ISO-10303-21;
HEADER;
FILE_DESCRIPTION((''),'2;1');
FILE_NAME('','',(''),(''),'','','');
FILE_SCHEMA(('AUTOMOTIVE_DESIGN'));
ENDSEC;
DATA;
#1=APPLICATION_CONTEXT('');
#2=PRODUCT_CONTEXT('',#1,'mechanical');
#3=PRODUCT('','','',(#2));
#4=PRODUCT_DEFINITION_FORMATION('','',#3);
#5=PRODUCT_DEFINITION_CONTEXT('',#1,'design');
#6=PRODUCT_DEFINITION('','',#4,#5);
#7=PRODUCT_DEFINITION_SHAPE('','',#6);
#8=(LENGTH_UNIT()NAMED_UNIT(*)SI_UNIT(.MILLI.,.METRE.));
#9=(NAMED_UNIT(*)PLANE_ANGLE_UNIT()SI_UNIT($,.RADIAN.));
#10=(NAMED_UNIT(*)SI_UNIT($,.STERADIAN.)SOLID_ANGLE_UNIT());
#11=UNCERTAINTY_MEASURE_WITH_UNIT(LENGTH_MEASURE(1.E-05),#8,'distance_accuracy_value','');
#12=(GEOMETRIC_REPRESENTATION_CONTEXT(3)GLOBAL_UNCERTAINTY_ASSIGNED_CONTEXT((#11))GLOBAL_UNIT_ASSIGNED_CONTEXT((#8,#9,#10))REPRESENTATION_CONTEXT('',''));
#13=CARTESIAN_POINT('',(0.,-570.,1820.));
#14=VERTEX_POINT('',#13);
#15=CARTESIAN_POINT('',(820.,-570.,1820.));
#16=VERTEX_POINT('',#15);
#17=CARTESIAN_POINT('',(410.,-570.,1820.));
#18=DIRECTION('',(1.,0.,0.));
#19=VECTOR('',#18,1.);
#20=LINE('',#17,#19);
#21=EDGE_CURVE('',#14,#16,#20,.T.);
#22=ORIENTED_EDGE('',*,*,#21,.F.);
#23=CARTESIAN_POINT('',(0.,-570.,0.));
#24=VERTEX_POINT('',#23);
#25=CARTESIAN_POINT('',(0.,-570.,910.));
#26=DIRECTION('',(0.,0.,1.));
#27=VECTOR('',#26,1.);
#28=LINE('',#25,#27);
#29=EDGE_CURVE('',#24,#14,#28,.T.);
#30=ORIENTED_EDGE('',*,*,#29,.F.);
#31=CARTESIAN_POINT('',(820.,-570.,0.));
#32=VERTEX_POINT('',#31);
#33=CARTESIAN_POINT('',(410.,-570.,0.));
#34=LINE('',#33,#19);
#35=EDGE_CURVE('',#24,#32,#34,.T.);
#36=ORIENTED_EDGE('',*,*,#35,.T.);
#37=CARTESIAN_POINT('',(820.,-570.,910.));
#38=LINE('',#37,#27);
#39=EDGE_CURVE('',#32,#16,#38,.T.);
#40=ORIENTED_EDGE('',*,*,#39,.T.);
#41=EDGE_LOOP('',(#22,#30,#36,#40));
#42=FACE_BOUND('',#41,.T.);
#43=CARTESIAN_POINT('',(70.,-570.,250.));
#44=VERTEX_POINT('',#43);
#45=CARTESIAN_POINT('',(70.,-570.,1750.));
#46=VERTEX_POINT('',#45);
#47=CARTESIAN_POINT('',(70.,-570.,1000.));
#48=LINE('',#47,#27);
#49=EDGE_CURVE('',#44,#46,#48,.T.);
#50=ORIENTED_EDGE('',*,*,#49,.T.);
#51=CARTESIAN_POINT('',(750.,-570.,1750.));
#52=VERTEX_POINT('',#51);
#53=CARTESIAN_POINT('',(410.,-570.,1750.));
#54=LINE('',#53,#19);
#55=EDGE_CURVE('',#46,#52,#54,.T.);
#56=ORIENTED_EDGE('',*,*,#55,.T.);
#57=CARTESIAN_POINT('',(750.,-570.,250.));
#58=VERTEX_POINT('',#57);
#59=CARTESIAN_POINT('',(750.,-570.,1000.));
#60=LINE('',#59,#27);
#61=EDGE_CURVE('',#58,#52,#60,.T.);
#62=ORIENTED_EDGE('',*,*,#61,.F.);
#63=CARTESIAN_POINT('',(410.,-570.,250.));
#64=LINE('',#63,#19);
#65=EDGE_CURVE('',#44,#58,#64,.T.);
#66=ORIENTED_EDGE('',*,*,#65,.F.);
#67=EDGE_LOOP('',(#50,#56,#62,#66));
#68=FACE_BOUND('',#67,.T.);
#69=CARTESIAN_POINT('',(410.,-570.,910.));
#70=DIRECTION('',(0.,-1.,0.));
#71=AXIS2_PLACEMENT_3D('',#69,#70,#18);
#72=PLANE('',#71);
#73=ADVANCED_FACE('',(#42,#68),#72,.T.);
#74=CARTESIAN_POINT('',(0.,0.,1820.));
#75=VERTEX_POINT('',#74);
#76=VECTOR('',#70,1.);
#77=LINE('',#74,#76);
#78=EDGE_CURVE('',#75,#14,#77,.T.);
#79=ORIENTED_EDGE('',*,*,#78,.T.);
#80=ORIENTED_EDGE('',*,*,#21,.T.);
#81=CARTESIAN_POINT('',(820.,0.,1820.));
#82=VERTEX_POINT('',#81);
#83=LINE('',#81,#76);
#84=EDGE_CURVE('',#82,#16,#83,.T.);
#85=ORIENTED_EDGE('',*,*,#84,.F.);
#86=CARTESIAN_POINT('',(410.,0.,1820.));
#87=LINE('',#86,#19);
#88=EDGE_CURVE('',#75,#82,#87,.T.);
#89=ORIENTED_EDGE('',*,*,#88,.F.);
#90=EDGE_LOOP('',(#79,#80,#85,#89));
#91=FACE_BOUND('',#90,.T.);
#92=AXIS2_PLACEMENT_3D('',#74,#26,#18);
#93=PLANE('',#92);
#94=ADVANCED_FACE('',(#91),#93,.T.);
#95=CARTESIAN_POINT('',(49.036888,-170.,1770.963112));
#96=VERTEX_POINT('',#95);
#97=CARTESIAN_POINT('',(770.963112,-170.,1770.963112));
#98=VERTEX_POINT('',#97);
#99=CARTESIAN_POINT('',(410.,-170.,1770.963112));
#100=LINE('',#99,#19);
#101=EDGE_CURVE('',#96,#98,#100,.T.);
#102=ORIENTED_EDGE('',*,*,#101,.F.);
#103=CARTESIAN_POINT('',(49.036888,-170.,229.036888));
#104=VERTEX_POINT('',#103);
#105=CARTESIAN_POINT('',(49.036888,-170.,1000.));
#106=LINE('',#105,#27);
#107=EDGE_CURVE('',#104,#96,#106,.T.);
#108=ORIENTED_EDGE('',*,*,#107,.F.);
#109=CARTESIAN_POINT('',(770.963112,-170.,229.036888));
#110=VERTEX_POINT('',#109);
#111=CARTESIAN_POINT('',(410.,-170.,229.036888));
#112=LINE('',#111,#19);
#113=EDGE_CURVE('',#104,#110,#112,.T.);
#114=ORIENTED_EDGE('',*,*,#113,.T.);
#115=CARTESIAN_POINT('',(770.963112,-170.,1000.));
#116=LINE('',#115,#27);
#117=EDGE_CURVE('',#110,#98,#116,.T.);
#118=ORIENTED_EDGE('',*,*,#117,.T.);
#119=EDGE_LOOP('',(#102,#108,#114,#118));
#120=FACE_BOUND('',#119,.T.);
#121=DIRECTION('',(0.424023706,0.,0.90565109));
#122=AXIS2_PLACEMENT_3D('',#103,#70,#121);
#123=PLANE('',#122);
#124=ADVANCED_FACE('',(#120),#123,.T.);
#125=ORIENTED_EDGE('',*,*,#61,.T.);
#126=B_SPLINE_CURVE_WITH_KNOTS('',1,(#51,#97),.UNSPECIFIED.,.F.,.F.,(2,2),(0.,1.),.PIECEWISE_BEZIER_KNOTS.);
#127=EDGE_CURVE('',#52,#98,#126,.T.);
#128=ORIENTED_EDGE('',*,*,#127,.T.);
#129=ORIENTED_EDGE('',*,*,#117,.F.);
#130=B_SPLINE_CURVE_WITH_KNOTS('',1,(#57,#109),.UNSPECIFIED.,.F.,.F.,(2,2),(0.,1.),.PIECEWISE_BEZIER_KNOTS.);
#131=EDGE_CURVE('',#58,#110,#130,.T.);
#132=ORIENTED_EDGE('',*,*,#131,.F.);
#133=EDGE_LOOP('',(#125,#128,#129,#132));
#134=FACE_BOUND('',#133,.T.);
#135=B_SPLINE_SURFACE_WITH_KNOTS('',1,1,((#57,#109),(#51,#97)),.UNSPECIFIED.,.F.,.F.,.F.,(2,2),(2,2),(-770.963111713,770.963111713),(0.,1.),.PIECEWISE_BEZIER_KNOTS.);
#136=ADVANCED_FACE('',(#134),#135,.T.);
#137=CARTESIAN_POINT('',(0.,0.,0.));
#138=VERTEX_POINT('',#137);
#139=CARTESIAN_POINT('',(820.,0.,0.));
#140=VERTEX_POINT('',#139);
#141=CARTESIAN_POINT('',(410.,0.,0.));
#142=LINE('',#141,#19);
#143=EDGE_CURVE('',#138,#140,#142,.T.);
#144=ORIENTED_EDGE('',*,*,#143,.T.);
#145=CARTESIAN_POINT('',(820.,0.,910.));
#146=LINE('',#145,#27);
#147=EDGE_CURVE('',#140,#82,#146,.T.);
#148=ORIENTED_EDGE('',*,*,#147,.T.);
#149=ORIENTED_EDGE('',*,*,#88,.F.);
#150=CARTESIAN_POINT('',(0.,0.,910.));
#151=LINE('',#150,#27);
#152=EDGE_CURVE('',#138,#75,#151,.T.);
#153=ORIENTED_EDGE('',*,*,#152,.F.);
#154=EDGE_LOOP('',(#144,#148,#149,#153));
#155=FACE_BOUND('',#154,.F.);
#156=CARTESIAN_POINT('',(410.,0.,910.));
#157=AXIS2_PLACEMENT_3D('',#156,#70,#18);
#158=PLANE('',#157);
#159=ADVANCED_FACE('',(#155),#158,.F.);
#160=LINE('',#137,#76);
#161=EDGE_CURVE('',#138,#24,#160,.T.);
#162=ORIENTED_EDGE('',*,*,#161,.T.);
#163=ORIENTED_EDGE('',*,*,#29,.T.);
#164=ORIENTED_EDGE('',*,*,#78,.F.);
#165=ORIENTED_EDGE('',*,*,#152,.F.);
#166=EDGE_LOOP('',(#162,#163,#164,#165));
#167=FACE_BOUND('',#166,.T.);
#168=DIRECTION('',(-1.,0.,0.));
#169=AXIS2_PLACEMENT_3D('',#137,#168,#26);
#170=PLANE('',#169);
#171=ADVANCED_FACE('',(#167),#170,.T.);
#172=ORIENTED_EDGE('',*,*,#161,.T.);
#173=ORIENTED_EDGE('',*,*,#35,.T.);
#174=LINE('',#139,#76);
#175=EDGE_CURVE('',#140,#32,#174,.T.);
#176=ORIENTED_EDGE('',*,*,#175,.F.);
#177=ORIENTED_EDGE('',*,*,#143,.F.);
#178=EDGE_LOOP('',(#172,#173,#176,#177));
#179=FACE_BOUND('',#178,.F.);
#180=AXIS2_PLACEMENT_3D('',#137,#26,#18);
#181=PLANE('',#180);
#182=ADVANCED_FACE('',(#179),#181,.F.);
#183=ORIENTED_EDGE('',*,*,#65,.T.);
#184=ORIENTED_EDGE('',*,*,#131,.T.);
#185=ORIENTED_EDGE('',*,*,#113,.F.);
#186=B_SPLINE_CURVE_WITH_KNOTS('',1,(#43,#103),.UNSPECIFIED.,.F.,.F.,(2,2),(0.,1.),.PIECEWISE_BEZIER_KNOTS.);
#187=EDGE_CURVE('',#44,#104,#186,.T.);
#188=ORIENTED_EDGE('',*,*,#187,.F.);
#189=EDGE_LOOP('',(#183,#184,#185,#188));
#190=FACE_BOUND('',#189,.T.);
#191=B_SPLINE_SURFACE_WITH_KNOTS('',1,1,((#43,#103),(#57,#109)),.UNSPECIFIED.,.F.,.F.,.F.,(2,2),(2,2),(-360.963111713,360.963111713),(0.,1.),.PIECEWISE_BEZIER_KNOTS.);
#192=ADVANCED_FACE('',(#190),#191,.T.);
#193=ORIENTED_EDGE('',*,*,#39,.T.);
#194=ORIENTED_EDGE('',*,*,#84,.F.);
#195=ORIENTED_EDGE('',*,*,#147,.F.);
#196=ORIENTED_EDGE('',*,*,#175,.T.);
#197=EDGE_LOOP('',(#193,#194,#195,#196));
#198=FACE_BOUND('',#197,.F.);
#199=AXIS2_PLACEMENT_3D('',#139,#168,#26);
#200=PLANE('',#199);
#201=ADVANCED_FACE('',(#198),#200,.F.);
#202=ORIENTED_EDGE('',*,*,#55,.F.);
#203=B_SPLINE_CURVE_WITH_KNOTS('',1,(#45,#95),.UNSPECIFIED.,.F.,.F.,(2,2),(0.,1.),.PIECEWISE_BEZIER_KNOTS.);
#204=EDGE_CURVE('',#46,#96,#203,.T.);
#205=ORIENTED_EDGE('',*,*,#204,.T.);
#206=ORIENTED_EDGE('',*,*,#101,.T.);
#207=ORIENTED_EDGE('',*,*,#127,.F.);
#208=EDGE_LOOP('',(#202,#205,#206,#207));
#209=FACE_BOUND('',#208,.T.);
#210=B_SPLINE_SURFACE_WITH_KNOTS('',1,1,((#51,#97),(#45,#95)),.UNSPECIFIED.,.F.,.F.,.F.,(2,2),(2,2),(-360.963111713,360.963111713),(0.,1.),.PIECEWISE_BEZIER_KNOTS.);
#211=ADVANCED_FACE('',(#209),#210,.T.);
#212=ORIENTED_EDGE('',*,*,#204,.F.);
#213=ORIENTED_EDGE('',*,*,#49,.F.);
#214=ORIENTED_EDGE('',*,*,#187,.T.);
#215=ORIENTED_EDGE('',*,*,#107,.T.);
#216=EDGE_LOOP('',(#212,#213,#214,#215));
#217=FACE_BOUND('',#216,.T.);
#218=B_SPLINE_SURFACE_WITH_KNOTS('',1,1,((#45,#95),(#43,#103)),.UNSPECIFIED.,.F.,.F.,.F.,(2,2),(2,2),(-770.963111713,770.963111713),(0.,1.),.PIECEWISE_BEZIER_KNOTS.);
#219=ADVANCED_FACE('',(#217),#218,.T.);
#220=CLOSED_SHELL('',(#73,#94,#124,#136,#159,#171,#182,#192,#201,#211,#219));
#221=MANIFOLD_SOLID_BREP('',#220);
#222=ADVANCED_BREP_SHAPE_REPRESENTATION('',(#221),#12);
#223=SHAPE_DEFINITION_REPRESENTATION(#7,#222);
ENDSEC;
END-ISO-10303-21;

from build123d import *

# Parameters (mm, degrees)
F0_W     = 820
F0_H     = 1820
F1_DEPTH = 570
F2_W     = 680
F2_H     = 1500
F3_DEPTH = 400
F3_TAPER = -3


with BuildPart() as f1:
    # F0 (on Front) → F1 (new body)
    with BuildSketch(Plane.XZ):
        with Locations((410, 910)):
            Rectangle(F0_W, F0_H)
    extrude(amount=F1_DEPTH)

    # F2 (on face) → F3 (cut)
    with BuildSketch(Plane.XZ.offset(570)):
        with Locations((410, 1000)):
            Rectangle(F2_W, F2_H)
    extrude(amount=-F3_DEPTH, taper=F3_TAPER, mode=Mode.SUBTRACT)


solid = f1.part
